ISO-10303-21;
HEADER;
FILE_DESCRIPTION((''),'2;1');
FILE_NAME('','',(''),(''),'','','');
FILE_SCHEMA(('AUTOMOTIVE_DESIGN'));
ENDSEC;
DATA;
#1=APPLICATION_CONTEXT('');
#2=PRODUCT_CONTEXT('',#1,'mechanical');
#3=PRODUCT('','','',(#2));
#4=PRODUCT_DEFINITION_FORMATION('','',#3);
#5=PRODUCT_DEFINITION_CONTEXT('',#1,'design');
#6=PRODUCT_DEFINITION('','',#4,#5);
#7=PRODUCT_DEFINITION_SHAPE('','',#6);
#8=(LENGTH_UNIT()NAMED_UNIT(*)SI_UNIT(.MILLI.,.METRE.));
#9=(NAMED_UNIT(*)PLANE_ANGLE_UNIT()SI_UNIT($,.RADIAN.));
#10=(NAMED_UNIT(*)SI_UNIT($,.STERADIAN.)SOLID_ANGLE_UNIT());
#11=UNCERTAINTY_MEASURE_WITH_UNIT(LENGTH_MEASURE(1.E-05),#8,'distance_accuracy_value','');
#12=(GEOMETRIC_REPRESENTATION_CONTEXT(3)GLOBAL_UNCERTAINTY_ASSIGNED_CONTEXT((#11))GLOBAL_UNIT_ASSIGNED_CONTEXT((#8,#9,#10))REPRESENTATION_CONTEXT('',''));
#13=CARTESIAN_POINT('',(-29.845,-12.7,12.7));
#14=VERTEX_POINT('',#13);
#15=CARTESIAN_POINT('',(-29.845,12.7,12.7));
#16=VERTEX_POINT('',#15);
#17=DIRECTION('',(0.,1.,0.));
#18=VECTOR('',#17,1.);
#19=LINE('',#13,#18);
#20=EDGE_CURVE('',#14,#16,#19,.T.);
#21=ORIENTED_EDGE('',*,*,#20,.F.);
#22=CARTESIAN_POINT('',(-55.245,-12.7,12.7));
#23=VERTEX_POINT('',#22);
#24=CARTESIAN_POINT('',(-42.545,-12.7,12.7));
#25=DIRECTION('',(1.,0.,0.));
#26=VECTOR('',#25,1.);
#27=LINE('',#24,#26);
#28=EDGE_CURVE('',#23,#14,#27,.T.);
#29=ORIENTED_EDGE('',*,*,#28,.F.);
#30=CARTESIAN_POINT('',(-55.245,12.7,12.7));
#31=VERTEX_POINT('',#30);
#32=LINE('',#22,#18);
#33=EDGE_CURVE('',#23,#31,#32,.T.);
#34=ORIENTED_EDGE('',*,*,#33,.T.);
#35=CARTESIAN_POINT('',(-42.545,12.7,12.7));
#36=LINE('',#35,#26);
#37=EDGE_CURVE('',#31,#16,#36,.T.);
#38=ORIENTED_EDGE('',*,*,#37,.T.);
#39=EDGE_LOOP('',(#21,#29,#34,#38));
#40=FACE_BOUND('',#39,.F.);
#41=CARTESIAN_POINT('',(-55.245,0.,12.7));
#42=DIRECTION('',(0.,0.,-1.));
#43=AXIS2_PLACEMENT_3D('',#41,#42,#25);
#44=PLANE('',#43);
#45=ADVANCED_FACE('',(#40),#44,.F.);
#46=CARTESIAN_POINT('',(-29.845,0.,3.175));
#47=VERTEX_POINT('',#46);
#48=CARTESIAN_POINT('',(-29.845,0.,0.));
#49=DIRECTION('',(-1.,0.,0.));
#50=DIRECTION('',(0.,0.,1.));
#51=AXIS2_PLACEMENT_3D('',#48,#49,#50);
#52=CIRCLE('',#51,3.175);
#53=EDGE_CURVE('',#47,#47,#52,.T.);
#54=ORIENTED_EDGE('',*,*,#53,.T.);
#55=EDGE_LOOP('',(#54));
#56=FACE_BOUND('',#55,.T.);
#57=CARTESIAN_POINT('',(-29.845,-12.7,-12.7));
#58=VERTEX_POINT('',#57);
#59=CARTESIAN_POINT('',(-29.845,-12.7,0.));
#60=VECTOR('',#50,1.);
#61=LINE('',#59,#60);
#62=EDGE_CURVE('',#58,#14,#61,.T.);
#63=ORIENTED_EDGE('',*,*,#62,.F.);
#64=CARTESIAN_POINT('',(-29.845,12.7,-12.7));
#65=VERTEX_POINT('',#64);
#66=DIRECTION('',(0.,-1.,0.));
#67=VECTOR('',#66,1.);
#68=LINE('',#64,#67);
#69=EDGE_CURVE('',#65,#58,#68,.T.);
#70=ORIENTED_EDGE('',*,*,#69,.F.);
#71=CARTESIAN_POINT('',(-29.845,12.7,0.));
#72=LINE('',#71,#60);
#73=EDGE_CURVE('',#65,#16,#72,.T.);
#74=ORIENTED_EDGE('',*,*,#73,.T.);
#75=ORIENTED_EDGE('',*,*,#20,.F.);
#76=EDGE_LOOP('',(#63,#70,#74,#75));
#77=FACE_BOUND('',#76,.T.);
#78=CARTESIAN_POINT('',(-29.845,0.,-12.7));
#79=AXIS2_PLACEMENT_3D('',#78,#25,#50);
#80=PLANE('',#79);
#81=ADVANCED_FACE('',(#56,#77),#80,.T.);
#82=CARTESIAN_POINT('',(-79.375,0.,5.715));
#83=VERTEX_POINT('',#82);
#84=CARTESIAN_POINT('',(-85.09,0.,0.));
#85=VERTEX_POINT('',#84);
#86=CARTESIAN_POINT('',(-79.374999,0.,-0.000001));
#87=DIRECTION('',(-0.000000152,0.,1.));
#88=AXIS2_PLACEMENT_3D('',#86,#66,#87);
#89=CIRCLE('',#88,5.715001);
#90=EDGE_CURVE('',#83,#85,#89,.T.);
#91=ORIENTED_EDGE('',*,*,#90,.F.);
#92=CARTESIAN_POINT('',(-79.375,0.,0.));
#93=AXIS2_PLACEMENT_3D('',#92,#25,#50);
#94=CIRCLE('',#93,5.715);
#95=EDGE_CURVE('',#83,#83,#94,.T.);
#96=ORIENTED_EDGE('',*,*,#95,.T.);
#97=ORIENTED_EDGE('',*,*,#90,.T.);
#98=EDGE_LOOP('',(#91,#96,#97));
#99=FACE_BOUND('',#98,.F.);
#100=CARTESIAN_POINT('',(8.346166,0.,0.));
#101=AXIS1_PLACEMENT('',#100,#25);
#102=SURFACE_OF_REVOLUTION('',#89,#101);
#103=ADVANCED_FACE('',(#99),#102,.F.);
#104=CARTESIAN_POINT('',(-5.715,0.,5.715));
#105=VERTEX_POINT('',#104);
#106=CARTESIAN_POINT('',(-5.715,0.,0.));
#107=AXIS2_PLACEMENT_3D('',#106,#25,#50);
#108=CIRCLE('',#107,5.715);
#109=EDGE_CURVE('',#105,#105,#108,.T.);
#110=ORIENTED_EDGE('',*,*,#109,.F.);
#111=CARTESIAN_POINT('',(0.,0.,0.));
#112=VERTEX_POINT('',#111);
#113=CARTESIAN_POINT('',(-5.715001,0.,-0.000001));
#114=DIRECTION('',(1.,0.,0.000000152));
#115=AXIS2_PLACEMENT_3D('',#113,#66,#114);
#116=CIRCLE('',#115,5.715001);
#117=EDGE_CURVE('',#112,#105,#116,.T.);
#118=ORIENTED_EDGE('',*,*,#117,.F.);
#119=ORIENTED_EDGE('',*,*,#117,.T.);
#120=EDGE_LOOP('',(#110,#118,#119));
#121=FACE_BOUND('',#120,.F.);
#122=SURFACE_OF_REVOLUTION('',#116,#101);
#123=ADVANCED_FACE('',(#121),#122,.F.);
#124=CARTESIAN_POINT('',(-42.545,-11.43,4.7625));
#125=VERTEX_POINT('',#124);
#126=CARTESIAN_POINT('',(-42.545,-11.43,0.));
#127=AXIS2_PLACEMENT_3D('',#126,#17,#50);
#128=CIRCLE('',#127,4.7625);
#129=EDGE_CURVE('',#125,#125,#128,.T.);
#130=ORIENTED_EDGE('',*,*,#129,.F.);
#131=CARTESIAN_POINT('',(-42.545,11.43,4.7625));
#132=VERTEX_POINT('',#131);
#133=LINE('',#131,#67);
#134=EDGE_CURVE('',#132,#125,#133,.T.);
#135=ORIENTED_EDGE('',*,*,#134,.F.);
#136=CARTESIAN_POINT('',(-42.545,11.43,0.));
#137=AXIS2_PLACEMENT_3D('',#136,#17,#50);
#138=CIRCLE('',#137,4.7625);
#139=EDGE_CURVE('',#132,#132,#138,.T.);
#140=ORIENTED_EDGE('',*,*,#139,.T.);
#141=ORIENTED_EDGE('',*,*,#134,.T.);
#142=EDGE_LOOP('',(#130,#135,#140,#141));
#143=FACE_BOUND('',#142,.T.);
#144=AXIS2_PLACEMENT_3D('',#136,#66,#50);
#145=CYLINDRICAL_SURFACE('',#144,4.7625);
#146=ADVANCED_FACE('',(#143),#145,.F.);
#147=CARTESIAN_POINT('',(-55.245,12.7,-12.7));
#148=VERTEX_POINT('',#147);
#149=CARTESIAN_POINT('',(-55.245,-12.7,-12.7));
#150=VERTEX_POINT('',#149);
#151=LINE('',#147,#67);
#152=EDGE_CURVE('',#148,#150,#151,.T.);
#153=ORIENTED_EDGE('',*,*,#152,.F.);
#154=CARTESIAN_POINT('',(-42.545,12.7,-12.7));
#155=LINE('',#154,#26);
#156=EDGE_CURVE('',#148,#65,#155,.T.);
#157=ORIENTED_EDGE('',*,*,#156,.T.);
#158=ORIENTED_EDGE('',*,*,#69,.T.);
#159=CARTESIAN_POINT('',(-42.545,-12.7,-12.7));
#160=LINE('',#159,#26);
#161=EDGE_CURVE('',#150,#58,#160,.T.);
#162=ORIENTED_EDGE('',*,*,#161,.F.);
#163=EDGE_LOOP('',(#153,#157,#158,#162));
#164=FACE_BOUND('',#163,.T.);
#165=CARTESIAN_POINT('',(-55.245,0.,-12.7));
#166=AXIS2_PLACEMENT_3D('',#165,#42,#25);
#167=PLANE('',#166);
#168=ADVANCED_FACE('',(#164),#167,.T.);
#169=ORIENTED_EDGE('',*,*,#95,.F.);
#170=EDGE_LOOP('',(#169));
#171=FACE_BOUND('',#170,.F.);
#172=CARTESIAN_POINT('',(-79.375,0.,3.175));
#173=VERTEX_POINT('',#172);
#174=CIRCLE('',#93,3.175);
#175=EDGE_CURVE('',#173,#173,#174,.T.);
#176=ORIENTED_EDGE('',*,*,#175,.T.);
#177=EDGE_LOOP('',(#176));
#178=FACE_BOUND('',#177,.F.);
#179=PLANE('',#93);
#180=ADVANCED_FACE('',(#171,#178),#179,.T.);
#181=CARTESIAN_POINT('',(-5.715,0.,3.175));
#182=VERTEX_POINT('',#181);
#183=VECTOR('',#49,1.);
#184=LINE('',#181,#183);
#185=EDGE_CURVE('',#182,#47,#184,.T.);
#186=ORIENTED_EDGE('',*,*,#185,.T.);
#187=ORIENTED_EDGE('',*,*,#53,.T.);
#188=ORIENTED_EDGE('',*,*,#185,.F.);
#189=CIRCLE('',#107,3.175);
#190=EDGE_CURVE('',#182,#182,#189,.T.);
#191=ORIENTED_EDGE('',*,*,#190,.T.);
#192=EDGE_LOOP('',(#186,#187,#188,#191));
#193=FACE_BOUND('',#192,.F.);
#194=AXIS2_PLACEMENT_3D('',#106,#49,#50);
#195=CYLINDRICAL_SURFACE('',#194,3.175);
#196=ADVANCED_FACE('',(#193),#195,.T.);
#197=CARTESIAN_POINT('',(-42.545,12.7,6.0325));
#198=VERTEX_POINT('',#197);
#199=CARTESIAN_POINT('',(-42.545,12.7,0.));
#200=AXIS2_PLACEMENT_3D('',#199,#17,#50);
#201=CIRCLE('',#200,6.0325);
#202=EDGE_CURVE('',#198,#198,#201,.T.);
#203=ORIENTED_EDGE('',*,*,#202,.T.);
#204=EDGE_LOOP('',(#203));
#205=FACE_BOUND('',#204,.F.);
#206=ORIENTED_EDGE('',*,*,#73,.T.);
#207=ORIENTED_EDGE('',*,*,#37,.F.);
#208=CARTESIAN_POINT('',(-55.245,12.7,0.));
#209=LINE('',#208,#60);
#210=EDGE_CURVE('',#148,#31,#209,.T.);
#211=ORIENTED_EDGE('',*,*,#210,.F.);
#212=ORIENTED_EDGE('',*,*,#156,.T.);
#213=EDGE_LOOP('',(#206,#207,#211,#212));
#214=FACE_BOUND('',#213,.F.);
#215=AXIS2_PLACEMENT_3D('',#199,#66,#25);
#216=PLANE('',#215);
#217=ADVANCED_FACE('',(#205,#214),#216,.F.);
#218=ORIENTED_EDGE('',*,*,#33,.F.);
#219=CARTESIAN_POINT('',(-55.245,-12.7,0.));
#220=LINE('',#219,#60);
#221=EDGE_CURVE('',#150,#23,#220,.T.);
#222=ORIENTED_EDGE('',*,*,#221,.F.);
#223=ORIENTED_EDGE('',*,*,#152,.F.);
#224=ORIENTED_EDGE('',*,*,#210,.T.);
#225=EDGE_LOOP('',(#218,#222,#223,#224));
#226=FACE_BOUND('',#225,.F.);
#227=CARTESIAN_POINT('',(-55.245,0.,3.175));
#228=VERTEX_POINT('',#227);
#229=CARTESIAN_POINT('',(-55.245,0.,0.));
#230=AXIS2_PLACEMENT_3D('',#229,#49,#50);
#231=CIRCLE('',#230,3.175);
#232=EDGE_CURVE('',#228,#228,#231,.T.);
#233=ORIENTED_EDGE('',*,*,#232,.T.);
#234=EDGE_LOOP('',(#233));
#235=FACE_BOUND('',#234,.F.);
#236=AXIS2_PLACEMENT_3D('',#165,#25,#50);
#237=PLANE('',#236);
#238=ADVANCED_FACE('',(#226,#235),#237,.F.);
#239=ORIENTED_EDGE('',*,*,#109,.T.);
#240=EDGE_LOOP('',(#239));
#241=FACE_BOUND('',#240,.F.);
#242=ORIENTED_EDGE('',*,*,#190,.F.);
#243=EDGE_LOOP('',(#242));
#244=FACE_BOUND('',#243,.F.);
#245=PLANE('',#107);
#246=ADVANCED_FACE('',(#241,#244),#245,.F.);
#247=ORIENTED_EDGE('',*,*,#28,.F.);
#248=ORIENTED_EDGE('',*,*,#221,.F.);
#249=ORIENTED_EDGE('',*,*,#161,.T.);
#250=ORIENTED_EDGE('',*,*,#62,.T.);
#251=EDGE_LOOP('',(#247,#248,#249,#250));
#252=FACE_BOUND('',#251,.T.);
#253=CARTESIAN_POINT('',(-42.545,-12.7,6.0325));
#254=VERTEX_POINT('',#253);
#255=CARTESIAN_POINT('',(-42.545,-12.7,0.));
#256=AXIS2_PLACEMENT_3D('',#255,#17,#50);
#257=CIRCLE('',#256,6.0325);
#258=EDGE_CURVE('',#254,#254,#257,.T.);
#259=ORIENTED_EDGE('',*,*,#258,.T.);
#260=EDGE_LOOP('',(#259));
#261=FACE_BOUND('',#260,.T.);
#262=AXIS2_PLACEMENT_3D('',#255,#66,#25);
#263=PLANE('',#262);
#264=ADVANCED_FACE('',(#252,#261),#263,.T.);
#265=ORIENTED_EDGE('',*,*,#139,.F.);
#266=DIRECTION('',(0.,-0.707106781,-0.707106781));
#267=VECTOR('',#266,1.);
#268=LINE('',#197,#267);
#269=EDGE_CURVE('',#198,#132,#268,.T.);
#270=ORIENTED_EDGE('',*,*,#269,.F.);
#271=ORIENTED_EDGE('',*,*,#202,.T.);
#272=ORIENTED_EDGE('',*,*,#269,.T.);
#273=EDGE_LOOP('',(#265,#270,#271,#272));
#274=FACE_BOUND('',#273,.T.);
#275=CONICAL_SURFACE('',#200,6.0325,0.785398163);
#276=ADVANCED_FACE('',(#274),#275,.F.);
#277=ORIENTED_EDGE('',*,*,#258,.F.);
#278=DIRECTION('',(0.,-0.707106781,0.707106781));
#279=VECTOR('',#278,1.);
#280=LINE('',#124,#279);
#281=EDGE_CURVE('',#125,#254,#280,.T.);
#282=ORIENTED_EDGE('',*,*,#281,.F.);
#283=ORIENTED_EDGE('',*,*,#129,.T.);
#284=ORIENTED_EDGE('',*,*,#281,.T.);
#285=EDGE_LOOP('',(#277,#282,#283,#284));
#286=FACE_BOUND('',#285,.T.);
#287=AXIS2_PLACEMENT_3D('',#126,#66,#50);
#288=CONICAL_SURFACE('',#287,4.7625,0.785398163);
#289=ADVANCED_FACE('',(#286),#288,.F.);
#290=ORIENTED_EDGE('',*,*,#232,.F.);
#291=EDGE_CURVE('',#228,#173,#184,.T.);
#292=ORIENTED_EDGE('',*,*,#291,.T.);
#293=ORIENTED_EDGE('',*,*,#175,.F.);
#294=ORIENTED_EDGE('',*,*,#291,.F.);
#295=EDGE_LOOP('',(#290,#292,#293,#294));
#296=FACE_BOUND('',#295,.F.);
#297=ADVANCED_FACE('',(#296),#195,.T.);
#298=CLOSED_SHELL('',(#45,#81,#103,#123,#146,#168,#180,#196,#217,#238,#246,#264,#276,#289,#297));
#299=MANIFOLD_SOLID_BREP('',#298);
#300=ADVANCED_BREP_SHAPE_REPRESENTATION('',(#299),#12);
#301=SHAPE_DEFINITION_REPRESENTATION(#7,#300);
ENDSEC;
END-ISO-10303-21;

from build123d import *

# Parameters (mm, degrees)
F2_W     = 25.4
F2_H     = 25.4
F3_DEPTH = 12.7


with BuildPart() as f1:
    # F0 (on Front) → F1 (revolve)
    with BuildSketch(Plane.XZ):
        with BuildLine():
            Line((-79.375, 3.175), (-79.375, 5.715))
            ThreePointArc((-79.375, 5.715), (-83.416115, 4.041115), (-85.09, 0))
            Line((-85.09, 0), (0, 0))
            ThreePointArc((0, 0), (-1.673885, 4.041115), (-5.715, 5.715))
            Line((-5.715, 5.715), (-5.715, 3.175))
            Line((-5.715, 3.175), (-79.375, 3.175))
        make_face()
    revolve(axis=Axis((8.346166, 0, 0), (1, 0, 0)))

    # F2 (on Front) → F3 (join, symmetric)
    with BuildSketch(Plane.XZ):
        with Locations((-42.545, 0)):
            Rectangle(F2_W, F2_H)
    extrude(amount=F3_DEPTH, both=True)

    # F5 (on plane+point) → F6 (revolve, cut)
    with BuildSketch(Plane.YZ.offset(-42.545)):
        Polygon((-12.7, 6.0325), (-12.7, 0), (12.7, 0), (12.7, 6.0325), (11.43, 4.7625), (-11.43, 4.7625), align=None)
    revolve(axis=Axis((-42.545, 22.809027, 0), (0, 1, 0)), mode=Mode.SUBTRACT)


solid = f1.part
